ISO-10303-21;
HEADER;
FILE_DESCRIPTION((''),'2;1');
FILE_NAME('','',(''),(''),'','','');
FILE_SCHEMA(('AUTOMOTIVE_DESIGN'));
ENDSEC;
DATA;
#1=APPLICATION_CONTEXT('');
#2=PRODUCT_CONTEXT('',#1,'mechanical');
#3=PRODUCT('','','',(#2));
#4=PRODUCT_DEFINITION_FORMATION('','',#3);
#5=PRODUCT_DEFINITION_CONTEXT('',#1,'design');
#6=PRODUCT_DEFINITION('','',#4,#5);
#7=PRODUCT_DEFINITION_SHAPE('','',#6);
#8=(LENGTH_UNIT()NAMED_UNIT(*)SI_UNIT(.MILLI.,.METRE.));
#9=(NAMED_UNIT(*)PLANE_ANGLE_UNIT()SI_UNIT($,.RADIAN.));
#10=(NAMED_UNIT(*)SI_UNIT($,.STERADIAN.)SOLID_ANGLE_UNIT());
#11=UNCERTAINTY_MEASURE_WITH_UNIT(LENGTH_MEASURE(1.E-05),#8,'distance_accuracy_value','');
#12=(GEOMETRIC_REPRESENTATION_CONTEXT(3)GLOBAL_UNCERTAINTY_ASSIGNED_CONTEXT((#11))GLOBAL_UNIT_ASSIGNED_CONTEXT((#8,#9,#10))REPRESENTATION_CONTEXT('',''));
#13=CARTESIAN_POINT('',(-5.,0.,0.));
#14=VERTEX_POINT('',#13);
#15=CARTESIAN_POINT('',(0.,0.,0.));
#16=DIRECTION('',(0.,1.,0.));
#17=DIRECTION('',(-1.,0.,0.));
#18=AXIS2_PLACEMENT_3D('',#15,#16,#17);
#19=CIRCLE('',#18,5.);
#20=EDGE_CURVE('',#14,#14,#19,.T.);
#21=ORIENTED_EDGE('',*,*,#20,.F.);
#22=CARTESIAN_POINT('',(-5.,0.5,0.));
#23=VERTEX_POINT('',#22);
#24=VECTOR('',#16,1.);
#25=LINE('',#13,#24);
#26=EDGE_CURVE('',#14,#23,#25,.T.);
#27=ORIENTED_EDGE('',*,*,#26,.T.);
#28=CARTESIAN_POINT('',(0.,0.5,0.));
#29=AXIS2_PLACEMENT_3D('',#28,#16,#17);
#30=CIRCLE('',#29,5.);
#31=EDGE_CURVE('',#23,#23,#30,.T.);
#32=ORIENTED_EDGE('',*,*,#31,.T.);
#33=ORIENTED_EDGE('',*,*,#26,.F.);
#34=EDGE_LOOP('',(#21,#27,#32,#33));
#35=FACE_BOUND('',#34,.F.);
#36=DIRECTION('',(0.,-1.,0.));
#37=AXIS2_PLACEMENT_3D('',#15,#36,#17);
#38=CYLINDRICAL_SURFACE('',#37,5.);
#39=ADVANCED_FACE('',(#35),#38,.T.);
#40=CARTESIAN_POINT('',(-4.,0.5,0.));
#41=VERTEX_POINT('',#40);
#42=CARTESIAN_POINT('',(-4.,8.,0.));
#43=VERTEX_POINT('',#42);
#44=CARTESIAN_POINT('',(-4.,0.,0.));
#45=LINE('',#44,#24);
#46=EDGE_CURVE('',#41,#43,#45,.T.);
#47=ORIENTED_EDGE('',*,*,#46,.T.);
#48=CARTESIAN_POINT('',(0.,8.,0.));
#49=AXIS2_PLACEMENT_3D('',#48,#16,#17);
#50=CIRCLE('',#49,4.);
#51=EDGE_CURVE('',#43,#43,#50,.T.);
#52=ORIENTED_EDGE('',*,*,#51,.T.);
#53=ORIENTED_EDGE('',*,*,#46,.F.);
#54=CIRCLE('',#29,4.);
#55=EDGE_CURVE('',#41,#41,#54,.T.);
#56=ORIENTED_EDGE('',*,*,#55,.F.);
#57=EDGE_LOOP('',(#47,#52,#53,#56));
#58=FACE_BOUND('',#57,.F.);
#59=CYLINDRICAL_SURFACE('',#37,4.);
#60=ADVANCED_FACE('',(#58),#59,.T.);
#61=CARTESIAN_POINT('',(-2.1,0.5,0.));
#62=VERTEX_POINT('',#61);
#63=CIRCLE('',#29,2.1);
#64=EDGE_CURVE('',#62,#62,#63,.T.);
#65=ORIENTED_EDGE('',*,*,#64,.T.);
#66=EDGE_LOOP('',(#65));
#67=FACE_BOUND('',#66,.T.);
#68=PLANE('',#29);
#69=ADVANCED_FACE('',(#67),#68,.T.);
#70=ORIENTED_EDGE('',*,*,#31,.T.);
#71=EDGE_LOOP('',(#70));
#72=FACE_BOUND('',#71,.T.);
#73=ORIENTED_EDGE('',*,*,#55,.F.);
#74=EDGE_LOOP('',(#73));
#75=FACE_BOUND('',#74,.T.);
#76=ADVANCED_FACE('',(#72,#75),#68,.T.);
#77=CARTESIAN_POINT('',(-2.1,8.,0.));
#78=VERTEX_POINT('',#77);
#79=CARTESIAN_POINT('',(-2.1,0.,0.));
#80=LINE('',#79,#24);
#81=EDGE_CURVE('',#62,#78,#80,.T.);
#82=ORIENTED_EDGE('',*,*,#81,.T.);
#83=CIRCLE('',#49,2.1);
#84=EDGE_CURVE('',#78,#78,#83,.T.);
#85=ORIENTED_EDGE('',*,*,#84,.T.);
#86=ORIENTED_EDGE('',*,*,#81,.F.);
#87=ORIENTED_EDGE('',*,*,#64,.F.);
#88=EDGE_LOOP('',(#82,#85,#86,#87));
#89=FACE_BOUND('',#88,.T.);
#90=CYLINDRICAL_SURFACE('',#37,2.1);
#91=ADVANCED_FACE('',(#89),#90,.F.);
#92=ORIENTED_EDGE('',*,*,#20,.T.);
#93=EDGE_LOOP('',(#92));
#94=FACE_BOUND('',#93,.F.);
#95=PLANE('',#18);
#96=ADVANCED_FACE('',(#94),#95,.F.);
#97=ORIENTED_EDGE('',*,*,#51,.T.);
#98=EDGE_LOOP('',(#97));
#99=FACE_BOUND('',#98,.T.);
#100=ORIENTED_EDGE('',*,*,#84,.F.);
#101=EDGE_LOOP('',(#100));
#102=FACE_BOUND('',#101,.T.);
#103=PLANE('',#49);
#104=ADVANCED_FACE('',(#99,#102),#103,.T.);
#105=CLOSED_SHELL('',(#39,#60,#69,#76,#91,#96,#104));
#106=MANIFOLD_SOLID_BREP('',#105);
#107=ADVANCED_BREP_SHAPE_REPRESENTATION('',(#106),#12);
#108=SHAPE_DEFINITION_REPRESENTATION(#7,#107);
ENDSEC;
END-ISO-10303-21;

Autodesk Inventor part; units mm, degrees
ref_plane "YZ Plane" through (0, 0, 0) normal (1, 0, 0) x (0, 1, 0)
ref_plane "XZ Plane" through (0, 0, 0) normal (0, 1, 0) x (-1, 0, 0)
ref_plane "XY Plane" through (0, 0, 0) normal (0, 0, 1) x (1, 0, 0)
sketch "Sketch1" plane through (0, 0, 0) normal (0, 1, 0) x (-1, 0, 0)
  circle A0 centre (0, 0) radius 2.1
  circle A1 centre (0, 0) radius 4
  circle A2 centre (0, 0) radius 5
  dimension "d0" = 4.2
  dimension "d1" = 8
  dimension "d2" = 10
extrude "Extrusion1" add sketch "Sketch1" along normal blind 8 contours A1
extrude "Extrusion2" add sketch "Sketch1" along normal blind 0.5
thread "Thread1" size "M5x0.8" class "6H" standard "ANSI Metric M Profile" full length
properties part number "Návarek M5" material "Aluminum 6061"
